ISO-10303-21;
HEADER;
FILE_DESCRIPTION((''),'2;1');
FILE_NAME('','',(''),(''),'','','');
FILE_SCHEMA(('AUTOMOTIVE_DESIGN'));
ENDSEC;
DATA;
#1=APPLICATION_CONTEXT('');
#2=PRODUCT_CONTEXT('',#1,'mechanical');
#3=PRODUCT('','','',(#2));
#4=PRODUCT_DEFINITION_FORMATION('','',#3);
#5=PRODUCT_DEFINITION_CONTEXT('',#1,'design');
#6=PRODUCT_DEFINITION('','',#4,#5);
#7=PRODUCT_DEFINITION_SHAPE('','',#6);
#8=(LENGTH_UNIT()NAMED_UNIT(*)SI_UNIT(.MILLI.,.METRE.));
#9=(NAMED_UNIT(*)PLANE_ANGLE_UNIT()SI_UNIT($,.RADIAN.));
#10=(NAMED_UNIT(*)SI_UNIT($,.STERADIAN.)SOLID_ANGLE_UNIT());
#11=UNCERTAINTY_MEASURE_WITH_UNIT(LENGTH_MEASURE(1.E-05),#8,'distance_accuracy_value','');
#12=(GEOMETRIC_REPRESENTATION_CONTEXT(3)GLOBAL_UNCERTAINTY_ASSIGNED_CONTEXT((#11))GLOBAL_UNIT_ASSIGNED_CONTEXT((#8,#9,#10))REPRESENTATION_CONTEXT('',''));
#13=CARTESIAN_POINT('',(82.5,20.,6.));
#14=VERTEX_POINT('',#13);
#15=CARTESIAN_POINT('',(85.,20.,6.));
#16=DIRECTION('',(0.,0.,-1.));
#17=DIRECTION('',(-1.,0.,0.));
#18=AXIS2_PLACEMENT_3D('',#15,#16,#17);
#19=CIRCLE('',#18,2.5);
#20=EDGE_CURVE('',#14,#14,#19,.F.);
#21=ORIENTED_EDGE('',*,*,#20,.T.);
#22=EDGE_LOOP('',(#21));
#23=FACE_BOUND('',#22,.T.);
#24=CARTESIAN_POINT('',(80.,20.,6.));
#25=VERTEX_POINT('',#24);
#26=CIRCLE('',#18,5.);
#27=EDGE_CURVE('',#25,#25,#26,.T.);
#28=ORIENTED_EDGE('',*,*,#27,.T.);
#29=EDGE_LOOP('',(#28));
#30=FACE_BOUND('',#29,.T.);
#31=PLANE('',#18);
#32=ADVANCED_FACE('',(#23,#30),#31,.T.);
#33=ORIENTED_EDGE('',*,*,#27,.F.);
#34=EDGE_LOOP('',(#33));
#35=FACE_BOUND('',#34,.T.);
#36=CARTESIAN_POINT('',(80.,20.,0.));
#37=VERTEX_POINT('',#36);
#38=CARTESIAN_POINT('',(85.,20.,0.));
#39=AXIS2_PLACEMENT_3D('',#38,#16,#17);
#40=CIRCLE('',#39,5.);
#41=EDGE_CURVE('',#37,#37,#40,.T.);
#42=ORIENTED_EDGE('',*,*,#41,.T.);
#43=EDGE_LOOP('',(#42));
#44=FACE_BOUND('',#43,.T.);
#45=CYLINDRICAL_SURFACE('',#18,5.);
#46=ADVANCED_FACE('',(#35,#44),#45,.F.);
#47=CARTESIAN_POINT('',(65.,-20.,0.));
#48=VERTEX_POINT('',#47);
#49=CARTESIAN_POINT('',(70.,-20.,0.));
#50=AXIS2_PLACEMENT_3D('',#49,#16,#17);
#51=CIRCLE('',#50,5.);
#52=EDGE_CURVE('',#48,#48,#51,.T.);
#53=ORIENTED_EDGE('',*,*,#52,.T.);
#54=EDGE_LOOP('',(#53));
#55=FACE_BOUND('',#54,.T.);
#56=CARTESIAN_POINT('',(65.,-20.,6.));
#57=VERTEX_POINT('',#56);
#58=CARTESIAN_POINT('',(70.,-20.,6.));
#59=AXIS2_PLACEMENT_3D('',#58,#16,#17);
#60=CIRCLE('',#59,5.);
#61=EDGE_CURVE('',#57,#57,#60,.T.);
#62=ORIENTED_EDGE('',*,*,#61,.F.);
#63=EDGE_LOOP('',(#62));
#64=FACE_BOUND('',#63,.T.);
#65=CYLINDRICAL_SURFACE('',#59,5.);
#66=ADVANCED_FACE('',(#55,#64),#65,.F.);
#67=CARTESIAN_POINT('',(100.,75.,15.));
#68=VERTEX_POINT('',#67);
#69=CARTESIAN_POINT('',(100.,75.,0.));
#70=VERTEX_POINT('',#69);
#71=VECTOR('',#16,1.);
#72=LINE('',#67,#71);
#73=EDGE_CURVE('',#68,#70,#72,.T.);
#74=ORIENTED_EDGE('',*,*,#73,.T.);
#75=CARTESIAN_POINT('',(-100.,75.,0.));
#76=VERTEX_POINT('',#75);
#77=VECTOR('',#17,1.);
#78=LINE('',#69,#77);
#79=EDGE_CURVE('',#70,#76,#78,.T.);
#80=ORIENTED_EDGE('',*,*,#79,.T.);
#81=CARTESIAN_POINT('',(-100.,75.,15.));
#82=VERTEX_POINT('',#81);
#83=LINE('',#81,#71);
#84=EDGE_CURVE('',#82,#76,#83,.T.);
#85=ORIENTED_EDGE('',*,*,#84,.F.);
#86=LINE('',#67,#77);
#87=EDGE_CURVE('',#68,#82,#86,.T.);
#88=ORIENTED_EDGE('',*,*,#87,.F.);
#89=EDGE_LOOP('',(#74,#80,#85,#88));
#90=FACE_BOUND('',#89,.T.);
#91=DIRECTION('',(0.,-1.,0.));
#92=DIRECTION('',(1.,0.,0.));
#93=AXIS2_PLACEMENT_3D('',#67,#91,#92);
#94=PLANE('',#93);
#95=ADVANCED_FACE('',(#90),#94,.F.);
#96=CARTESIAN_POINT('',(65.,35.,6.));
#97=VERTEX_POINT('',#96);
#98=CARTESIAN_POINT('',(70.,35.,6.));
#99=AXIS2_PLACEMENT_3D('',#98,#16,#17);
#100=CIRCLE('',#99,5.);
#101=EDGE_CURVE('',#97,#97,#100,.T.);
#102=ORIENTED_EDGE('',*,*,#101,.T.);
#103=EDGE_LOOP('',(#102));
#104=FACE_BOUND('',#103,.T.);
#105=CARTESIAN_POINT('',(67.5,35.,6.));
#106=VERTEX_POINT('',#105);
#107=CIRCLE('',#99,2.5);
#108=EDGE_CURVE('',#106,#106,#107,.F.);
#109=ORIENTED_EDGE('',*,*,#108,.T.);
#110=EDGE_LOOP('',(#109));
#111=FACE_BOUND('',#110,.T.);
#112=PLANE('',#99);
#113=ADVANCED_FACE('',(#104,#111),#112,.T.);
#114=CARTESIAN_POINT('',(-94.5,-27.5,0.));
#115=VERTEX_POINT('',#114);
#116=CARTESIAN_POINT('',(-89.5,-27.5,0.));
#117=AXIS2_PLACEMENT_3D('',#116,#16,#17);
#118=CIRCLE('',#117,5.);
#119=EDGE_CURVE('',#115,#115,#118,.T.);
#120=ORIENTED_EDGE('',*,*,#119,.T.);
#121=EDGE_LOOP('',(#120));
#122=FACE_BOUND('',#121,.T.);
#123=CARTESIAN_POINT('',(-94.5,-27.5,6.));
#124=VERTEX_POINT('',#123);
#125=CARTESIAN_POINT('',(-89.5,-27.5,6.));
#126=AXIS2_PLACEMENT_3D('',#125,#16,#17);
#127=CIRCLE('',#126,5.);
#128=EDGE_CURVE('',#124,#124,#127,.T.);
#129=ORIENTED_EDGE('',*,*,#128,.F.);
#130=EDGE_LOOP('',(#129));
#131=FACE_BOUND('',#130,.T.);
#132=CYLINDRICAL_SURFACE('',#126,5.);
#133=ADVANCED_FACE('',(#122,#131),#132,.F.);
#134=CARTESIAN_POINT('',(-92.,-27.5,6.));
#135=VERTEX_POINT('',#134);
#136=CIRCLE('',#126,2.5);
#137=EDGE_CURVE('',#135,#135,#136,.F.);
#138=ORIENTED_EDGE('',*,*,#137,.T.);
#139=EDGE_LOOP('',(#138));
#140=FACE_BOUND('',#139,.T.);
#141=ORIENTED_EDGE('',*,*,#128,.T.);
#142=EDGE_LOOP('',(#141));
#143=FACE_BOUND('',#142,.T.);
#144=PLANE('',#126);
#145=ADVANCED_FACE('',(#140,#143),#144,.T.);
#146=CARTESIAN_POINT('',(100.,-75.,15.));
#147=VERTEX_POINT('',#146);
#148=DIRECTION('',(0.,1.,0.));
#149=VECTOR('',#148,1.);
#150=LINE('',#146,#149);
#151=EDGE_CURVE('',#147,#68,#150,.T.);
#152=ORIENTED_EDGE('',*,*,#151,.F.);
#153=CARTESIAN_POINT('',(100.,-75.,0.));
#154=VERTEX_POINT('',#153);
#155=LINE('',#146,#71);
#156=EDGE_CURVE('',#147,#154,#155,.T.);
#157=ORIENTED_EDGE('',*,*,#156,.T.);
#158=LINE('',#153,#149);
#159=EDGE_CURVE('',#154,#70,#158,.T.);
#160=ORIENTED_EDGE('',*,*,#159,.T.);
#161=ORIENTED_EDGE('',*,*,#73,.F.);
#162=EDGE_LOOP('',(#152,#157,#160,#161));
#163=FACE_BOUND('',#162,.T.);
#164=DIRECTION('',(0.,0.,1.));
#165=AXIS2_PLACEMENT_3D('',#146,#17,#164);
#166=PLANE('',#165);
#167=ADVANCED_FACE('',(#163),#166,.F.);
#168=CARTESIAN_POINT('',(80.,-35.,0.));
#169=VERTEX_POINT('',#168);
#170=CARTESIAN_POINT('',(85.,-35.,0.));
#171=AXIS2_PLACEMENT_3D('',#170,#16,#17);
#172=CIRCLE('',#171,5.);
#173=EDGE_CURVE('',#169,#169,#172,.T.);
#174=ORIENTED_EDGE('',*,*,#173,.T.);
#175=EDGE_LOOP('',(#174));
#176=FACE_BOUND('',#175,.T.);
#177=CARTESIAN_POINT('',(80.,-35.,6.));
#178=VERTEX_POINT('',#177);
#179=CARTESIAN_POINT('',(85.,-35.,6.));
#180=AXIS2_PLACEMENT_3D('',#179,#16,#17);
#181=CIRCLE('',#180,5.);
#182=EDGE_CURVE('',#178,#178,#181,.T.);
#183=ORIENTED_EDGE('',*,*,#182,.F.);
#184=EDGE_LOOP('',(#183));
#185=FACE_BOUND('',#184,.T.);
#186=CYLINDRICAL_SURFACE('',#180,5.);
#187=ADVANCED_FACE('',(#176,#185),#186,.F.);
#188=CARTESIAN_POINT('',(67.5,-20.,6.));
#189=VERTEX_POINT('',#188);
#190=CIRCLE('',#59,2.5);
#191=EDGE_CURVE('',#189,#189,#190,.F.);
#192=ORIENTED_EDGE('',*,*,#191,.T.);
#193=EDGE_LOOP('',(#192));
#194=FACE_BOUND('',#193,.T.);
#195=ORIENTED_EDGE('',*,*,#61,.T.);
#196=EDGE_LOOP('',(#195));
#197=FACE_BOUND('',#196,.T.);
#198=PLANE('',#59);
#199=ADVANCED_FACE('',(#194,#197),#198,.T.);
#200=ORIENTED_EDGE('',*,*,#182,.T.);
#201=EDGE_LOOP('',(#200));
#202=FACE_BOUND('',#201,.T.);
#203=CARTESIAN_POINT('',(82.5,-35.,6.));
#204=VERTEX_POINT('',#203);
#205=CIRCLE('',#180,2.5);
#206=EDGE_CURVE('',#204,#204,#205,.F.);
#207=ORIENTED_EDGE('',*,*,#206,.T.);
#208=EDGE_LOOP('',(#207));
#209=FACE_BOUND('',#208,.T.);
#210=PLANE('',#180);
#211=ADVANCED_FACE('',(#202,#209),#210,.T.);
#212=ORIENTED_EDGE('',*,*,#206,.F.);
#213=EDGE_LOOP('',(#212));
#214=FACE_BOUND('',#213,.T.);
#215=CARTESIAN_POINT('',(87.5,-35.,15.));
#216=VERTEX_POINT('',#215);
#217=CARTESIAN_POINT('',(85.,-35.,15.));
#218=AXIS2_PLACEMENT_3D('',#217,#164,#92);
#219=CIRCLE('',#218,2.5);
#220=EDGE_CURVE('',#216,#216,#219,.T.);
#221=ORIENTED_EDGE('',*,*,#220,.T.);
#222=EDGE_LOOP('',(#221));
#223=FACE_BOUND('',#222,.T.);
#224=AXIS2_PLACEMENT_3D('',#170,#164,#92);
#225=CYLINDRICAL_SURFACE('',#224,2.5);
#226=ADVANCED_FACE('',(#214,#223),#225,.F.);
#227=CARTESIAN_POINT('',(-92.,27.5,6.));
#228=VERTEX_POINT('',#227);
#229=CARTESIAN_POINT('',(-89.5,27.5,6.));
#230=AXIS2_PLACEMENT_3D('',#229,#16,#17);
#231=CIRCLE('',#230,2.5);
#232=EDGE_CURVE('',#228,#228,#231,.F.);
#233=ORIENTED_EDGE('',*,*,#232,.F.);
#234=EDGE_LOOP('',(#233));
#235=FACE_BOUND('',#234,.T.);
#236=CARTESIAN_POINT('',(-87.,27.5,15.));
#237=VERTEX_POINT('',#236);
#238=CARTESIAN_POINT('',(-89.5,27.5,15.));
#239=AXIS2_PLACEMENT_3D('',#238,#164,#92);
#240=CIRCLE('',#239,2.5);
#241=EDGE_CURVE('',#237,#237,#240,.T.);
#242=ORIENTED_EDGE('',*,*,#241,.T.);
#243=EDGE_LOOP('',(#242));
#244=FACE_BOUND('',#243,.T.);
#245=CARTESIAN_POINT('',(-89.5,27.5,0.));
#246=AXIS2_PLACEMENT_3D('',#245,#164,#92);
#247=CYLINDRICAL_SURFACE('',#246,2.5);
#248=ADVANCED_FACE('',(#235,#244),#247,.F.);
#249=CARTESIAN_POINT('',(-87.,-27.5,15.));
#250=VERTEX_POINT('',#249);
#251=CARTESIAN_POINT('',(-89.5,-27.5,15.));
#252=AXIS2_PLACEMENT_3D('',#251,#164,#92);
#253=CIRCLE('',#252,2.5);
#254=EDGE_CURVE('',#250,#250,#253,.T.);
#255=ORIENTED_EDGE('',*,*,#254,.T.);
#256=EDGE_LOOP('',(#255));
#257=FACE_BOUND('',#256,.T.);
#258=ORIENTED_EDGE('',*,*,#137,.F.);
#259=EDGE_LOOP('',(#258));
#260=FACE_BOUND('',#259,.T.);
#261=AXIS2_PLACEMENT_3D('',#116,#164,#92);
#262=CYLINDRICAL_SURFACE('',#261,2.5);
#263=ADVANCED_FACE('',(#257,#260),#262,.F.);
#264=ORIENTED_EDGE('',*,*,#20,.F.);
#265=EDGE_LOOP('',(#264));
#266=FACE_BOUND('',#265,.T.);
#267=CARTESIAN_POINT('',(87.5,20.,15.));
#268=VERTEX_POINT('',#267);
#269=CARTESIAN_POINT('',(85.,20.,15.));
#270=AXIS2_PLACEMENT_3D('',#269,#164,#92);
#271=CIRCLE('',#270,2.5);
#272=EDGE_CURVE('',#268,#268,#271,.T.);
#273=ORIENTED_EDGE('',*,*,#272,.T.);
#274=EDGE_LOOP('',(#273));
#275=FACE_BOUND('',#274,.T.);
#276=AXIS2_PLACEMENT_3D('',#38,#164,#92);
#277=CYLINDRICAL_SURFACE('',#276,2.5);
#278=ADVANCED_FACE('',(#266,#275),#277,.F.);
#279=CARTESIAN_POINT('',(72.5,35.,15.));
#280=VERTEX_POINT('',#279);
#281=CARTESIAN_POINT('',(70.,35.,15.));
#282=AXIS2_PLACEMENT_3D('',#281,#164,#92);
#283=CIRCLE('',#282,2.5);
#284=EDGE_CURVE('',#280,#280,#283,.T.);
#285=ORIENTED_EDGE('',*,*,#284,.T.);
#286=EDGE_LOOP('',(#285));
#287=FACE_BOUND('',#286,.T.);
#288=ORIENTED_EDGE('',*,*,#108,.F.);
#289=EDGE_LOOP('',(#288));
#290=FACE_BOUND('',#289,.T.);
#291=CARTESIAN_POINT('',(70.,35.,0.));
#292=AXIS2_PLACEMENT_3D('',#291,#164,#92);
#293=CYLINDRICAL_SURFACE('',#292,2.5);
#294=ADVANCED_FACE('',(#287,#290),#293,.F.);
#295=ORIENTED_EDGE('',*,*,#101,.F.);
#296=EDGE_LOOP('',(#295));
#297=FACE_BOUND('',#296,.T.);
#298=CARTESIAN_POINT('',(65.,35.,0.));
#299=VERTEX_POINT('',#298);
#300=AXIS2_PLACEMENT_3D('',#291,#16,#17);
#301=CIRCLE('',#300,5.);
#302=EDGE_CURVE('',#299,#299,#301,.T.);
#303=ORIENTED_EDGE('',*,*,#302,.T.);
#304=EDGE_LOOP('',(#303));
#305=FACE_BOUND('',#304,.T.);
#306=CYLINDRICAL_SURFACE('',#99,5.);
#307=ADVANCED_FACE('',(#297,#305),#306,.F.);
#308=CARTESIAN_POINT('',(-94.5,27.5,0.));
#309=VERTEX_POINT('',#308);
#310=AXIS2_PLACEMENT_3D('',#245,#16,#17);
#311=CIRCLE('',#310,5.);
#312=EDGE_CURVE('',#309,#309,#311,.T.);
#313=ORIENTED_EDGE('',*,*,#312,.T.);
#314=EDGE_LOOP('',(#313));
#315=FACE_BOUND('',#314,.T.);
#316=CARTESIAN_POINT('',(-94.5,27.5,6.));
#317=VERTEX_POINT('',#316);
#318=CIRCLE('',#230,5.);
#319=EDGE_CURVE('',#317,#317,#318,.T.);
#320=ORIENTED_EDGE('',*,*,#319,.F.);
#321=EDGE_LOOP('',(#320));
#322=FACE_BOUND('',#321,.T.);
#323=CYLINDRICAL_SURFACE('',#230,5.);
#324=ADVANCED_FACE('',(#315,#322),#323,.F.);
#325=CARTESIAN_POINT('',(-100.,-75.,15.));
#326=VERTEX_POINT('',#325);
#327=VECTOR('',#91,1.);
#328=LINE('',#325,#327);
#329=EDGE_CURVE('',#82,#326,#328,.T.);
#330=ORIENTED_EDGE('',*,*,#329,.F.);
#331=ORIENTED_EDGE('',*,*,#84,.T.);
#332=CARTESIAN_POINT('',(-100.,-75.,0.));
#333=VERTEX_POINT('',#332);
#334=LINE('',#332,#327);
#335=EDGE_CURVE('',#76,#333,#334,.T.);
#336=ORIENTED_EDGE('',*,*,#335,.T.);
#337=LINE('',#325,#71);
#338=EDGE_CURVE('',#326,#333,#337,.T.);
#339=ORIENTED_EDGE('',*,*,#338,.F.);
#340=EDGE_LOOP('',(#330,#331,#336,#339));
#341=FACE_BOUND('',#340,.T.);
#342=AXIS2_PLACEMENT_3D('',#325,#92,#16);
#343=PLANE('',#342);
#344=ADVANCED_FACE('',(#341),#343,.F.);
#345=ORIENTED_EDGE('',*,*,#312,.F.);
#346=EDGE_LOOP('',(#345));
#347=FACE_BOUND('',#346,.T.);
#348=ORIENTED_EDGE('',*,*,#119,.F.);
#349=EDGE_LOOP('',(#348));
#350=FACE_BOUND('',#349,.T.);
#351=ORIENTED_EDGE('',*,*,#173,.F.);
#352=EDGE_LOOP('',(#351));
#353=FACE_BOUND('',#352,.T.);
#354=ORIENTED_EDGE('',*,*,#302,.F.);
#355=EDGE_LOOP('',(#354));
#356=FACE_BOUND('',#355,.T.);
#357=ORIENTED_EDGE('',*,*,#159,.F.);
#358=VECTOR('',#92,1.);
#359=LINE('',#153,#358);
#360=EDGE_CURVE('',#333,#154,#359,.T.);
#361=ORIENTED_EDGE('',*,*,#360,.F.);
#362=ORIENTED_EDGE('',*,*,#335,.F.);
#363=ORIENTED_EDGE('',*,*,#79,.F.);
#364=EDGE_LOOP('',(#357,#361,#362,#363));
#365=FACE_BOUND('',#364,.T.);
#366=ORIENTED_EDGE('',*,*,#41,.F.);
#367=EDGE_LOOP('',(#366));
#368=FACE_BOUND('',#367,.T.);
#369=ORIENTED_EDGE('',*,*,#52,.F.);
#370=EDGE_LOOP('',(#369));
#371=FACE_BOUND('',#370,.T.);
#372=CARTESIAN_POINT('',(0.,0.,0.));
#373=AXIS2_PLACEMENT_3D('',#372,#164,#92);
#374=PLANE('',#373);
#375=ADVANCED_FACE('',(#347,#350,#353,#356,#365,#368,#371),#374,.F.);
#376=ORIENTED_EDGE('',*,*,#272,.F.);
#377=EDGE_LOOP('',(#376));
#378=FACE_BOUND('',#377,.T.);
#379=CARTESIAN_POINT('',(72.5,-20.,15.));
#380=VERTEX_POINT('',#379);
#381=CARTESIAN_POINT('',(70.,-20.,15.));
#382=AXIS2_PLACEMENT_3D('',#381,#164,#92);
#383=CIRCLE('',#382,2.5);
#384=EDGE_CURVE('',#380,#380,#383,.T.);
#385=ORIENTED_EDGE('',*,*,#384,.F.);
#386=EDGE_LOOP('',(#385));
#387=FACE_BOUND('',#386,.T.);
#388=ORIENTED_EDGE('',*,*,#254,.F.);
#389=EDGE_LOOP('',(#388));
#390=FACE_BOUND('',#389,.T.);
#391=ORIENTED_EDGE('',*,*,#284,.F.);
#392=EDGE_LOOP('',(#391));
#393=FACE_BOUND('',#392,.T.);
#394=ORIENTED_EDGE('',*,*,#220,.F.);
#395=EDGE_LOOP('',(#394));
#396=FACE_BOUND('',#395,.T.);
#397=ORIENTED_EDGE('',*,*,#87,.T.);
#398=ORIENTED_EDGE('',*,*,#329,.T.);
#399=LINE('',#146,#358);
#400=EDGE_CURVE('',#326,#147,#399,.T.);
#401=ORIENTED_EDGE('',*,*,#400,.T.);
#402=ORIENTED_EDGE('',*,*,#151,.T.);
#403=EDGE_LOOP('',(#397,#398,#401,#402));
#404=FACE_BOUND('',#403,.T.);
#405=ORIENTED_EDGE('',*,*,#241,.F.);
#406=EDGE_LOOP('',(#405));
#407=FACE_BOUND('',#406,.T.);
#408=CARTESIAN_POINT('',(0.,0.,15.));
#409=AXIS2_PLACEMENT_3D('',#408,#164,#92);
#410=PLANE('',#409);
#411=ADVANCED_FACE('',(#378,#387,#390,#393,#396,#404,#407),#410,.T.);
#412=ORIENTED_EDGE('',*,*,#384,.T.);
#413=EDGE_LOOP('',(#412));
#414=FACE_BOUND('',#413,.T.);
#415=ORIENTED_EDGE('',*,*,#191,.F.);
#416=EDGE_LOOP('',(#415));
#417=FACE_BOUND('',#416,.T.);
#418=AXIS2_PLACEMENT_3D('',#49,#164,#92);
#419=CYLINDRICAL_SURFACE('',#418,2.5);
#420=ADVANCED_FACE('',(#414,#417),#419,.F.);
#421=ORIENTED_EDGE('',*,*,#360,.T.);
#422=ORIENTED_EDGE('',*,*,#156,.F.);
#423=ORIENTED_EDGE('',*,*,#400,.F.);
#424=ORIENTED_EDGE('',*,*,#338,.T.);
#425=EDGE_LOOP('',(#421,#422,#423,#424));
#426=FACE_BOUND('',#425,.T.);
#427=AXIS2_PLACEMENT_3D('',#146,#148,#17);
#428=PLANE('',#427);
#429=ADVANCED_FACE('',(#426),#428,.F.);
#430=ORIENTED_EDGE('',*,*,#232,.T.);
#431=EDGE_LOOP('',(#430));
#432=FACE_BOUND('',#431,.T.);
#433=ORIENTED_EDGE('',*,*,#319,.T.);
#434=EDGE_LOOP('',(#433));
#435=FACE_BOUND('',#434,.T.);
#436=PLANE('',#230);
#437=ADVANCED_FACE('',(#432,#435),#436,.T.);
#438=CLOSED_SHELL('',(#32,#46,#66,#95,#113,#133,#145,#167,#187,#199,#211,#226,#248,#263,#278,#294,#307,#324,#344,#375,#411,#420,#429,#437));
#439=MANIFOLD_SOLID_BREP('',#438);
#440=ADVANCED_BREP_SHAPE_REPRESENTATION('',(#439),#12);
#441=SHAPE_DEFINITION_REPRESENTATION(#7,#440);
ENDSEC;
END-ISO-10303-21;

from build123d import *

# Parameters (mm, degrees)
SKETCH1_W           = 200
SKETCH1_H           = 150
BOSS_EXTRUDE1_DEPTH = 15
SKETCH2_R           = 2.5
CUT_EXTRUDE1_DEPTH  = 126.89678312
SKETCH3_R           = 5
CUT_EXTRUDE2_DEPTH  = 6


with BuildPart() as part:
    # Sketch1 → Boss-Extrude1 (new body)
    with BuildSketch(Plane.XY):
        Rectangle(SKETCH1_W, SKETCH1_H)
    extrude(amount=BOSS_EXTRUDE1_DEPTH)

    # Sketch2 → Cut-Extrude1 (cut, through all)
    with BuildSketch(Plane.XY.offset(15)):
        with Locations((85, -35)):
            Circle(SKETCH2_R)
        with Locations((70, -20)):
            Circle(SKETCH2_R)
        with Locations((85, 20)):
            Circle(SKETCH2_R)
        with Locations((70, 35)):
            Circle(SKETCH2_R)
        with Locations((-89.5, 27.5)):
            Circle(SKETCH2_R)
        with Locations((-89.5, -27.5)):
            Circle(SKETCH2_R)
    extrude(amount=-CUT_EXTRUDE1_DEPTH, mode=Mode.SUBTRACT)

    # Sketch3 → Cut-Extrude2 (cut)
    with BuildSketch(Plane(origin=(0, 0, 0), x_dir=(-1, 0, 0), z_dir=(0, 0, -1))):
        with Locations((-70, 35)):
            Circle(SKETCH3_R)
        with Locations((-85, 20)):
            Circle(SKETCH3_R)
        with Locations((-70, -20)):
            Circle(SKETCH3_R)
        with Locations((-85, -35)):
            Circle(SKETCH3_R)
        with Locations((89.5, -27.5)):
            Circle(SKETCH3_R)
        with Locations((89.5, 27.5)):
            Circle(SKETCH3_R)
    extrude(amount=-CUT_EXTRUDE2_DEPTH, mode=Mode.SUBTRACT)


solid = part.part
